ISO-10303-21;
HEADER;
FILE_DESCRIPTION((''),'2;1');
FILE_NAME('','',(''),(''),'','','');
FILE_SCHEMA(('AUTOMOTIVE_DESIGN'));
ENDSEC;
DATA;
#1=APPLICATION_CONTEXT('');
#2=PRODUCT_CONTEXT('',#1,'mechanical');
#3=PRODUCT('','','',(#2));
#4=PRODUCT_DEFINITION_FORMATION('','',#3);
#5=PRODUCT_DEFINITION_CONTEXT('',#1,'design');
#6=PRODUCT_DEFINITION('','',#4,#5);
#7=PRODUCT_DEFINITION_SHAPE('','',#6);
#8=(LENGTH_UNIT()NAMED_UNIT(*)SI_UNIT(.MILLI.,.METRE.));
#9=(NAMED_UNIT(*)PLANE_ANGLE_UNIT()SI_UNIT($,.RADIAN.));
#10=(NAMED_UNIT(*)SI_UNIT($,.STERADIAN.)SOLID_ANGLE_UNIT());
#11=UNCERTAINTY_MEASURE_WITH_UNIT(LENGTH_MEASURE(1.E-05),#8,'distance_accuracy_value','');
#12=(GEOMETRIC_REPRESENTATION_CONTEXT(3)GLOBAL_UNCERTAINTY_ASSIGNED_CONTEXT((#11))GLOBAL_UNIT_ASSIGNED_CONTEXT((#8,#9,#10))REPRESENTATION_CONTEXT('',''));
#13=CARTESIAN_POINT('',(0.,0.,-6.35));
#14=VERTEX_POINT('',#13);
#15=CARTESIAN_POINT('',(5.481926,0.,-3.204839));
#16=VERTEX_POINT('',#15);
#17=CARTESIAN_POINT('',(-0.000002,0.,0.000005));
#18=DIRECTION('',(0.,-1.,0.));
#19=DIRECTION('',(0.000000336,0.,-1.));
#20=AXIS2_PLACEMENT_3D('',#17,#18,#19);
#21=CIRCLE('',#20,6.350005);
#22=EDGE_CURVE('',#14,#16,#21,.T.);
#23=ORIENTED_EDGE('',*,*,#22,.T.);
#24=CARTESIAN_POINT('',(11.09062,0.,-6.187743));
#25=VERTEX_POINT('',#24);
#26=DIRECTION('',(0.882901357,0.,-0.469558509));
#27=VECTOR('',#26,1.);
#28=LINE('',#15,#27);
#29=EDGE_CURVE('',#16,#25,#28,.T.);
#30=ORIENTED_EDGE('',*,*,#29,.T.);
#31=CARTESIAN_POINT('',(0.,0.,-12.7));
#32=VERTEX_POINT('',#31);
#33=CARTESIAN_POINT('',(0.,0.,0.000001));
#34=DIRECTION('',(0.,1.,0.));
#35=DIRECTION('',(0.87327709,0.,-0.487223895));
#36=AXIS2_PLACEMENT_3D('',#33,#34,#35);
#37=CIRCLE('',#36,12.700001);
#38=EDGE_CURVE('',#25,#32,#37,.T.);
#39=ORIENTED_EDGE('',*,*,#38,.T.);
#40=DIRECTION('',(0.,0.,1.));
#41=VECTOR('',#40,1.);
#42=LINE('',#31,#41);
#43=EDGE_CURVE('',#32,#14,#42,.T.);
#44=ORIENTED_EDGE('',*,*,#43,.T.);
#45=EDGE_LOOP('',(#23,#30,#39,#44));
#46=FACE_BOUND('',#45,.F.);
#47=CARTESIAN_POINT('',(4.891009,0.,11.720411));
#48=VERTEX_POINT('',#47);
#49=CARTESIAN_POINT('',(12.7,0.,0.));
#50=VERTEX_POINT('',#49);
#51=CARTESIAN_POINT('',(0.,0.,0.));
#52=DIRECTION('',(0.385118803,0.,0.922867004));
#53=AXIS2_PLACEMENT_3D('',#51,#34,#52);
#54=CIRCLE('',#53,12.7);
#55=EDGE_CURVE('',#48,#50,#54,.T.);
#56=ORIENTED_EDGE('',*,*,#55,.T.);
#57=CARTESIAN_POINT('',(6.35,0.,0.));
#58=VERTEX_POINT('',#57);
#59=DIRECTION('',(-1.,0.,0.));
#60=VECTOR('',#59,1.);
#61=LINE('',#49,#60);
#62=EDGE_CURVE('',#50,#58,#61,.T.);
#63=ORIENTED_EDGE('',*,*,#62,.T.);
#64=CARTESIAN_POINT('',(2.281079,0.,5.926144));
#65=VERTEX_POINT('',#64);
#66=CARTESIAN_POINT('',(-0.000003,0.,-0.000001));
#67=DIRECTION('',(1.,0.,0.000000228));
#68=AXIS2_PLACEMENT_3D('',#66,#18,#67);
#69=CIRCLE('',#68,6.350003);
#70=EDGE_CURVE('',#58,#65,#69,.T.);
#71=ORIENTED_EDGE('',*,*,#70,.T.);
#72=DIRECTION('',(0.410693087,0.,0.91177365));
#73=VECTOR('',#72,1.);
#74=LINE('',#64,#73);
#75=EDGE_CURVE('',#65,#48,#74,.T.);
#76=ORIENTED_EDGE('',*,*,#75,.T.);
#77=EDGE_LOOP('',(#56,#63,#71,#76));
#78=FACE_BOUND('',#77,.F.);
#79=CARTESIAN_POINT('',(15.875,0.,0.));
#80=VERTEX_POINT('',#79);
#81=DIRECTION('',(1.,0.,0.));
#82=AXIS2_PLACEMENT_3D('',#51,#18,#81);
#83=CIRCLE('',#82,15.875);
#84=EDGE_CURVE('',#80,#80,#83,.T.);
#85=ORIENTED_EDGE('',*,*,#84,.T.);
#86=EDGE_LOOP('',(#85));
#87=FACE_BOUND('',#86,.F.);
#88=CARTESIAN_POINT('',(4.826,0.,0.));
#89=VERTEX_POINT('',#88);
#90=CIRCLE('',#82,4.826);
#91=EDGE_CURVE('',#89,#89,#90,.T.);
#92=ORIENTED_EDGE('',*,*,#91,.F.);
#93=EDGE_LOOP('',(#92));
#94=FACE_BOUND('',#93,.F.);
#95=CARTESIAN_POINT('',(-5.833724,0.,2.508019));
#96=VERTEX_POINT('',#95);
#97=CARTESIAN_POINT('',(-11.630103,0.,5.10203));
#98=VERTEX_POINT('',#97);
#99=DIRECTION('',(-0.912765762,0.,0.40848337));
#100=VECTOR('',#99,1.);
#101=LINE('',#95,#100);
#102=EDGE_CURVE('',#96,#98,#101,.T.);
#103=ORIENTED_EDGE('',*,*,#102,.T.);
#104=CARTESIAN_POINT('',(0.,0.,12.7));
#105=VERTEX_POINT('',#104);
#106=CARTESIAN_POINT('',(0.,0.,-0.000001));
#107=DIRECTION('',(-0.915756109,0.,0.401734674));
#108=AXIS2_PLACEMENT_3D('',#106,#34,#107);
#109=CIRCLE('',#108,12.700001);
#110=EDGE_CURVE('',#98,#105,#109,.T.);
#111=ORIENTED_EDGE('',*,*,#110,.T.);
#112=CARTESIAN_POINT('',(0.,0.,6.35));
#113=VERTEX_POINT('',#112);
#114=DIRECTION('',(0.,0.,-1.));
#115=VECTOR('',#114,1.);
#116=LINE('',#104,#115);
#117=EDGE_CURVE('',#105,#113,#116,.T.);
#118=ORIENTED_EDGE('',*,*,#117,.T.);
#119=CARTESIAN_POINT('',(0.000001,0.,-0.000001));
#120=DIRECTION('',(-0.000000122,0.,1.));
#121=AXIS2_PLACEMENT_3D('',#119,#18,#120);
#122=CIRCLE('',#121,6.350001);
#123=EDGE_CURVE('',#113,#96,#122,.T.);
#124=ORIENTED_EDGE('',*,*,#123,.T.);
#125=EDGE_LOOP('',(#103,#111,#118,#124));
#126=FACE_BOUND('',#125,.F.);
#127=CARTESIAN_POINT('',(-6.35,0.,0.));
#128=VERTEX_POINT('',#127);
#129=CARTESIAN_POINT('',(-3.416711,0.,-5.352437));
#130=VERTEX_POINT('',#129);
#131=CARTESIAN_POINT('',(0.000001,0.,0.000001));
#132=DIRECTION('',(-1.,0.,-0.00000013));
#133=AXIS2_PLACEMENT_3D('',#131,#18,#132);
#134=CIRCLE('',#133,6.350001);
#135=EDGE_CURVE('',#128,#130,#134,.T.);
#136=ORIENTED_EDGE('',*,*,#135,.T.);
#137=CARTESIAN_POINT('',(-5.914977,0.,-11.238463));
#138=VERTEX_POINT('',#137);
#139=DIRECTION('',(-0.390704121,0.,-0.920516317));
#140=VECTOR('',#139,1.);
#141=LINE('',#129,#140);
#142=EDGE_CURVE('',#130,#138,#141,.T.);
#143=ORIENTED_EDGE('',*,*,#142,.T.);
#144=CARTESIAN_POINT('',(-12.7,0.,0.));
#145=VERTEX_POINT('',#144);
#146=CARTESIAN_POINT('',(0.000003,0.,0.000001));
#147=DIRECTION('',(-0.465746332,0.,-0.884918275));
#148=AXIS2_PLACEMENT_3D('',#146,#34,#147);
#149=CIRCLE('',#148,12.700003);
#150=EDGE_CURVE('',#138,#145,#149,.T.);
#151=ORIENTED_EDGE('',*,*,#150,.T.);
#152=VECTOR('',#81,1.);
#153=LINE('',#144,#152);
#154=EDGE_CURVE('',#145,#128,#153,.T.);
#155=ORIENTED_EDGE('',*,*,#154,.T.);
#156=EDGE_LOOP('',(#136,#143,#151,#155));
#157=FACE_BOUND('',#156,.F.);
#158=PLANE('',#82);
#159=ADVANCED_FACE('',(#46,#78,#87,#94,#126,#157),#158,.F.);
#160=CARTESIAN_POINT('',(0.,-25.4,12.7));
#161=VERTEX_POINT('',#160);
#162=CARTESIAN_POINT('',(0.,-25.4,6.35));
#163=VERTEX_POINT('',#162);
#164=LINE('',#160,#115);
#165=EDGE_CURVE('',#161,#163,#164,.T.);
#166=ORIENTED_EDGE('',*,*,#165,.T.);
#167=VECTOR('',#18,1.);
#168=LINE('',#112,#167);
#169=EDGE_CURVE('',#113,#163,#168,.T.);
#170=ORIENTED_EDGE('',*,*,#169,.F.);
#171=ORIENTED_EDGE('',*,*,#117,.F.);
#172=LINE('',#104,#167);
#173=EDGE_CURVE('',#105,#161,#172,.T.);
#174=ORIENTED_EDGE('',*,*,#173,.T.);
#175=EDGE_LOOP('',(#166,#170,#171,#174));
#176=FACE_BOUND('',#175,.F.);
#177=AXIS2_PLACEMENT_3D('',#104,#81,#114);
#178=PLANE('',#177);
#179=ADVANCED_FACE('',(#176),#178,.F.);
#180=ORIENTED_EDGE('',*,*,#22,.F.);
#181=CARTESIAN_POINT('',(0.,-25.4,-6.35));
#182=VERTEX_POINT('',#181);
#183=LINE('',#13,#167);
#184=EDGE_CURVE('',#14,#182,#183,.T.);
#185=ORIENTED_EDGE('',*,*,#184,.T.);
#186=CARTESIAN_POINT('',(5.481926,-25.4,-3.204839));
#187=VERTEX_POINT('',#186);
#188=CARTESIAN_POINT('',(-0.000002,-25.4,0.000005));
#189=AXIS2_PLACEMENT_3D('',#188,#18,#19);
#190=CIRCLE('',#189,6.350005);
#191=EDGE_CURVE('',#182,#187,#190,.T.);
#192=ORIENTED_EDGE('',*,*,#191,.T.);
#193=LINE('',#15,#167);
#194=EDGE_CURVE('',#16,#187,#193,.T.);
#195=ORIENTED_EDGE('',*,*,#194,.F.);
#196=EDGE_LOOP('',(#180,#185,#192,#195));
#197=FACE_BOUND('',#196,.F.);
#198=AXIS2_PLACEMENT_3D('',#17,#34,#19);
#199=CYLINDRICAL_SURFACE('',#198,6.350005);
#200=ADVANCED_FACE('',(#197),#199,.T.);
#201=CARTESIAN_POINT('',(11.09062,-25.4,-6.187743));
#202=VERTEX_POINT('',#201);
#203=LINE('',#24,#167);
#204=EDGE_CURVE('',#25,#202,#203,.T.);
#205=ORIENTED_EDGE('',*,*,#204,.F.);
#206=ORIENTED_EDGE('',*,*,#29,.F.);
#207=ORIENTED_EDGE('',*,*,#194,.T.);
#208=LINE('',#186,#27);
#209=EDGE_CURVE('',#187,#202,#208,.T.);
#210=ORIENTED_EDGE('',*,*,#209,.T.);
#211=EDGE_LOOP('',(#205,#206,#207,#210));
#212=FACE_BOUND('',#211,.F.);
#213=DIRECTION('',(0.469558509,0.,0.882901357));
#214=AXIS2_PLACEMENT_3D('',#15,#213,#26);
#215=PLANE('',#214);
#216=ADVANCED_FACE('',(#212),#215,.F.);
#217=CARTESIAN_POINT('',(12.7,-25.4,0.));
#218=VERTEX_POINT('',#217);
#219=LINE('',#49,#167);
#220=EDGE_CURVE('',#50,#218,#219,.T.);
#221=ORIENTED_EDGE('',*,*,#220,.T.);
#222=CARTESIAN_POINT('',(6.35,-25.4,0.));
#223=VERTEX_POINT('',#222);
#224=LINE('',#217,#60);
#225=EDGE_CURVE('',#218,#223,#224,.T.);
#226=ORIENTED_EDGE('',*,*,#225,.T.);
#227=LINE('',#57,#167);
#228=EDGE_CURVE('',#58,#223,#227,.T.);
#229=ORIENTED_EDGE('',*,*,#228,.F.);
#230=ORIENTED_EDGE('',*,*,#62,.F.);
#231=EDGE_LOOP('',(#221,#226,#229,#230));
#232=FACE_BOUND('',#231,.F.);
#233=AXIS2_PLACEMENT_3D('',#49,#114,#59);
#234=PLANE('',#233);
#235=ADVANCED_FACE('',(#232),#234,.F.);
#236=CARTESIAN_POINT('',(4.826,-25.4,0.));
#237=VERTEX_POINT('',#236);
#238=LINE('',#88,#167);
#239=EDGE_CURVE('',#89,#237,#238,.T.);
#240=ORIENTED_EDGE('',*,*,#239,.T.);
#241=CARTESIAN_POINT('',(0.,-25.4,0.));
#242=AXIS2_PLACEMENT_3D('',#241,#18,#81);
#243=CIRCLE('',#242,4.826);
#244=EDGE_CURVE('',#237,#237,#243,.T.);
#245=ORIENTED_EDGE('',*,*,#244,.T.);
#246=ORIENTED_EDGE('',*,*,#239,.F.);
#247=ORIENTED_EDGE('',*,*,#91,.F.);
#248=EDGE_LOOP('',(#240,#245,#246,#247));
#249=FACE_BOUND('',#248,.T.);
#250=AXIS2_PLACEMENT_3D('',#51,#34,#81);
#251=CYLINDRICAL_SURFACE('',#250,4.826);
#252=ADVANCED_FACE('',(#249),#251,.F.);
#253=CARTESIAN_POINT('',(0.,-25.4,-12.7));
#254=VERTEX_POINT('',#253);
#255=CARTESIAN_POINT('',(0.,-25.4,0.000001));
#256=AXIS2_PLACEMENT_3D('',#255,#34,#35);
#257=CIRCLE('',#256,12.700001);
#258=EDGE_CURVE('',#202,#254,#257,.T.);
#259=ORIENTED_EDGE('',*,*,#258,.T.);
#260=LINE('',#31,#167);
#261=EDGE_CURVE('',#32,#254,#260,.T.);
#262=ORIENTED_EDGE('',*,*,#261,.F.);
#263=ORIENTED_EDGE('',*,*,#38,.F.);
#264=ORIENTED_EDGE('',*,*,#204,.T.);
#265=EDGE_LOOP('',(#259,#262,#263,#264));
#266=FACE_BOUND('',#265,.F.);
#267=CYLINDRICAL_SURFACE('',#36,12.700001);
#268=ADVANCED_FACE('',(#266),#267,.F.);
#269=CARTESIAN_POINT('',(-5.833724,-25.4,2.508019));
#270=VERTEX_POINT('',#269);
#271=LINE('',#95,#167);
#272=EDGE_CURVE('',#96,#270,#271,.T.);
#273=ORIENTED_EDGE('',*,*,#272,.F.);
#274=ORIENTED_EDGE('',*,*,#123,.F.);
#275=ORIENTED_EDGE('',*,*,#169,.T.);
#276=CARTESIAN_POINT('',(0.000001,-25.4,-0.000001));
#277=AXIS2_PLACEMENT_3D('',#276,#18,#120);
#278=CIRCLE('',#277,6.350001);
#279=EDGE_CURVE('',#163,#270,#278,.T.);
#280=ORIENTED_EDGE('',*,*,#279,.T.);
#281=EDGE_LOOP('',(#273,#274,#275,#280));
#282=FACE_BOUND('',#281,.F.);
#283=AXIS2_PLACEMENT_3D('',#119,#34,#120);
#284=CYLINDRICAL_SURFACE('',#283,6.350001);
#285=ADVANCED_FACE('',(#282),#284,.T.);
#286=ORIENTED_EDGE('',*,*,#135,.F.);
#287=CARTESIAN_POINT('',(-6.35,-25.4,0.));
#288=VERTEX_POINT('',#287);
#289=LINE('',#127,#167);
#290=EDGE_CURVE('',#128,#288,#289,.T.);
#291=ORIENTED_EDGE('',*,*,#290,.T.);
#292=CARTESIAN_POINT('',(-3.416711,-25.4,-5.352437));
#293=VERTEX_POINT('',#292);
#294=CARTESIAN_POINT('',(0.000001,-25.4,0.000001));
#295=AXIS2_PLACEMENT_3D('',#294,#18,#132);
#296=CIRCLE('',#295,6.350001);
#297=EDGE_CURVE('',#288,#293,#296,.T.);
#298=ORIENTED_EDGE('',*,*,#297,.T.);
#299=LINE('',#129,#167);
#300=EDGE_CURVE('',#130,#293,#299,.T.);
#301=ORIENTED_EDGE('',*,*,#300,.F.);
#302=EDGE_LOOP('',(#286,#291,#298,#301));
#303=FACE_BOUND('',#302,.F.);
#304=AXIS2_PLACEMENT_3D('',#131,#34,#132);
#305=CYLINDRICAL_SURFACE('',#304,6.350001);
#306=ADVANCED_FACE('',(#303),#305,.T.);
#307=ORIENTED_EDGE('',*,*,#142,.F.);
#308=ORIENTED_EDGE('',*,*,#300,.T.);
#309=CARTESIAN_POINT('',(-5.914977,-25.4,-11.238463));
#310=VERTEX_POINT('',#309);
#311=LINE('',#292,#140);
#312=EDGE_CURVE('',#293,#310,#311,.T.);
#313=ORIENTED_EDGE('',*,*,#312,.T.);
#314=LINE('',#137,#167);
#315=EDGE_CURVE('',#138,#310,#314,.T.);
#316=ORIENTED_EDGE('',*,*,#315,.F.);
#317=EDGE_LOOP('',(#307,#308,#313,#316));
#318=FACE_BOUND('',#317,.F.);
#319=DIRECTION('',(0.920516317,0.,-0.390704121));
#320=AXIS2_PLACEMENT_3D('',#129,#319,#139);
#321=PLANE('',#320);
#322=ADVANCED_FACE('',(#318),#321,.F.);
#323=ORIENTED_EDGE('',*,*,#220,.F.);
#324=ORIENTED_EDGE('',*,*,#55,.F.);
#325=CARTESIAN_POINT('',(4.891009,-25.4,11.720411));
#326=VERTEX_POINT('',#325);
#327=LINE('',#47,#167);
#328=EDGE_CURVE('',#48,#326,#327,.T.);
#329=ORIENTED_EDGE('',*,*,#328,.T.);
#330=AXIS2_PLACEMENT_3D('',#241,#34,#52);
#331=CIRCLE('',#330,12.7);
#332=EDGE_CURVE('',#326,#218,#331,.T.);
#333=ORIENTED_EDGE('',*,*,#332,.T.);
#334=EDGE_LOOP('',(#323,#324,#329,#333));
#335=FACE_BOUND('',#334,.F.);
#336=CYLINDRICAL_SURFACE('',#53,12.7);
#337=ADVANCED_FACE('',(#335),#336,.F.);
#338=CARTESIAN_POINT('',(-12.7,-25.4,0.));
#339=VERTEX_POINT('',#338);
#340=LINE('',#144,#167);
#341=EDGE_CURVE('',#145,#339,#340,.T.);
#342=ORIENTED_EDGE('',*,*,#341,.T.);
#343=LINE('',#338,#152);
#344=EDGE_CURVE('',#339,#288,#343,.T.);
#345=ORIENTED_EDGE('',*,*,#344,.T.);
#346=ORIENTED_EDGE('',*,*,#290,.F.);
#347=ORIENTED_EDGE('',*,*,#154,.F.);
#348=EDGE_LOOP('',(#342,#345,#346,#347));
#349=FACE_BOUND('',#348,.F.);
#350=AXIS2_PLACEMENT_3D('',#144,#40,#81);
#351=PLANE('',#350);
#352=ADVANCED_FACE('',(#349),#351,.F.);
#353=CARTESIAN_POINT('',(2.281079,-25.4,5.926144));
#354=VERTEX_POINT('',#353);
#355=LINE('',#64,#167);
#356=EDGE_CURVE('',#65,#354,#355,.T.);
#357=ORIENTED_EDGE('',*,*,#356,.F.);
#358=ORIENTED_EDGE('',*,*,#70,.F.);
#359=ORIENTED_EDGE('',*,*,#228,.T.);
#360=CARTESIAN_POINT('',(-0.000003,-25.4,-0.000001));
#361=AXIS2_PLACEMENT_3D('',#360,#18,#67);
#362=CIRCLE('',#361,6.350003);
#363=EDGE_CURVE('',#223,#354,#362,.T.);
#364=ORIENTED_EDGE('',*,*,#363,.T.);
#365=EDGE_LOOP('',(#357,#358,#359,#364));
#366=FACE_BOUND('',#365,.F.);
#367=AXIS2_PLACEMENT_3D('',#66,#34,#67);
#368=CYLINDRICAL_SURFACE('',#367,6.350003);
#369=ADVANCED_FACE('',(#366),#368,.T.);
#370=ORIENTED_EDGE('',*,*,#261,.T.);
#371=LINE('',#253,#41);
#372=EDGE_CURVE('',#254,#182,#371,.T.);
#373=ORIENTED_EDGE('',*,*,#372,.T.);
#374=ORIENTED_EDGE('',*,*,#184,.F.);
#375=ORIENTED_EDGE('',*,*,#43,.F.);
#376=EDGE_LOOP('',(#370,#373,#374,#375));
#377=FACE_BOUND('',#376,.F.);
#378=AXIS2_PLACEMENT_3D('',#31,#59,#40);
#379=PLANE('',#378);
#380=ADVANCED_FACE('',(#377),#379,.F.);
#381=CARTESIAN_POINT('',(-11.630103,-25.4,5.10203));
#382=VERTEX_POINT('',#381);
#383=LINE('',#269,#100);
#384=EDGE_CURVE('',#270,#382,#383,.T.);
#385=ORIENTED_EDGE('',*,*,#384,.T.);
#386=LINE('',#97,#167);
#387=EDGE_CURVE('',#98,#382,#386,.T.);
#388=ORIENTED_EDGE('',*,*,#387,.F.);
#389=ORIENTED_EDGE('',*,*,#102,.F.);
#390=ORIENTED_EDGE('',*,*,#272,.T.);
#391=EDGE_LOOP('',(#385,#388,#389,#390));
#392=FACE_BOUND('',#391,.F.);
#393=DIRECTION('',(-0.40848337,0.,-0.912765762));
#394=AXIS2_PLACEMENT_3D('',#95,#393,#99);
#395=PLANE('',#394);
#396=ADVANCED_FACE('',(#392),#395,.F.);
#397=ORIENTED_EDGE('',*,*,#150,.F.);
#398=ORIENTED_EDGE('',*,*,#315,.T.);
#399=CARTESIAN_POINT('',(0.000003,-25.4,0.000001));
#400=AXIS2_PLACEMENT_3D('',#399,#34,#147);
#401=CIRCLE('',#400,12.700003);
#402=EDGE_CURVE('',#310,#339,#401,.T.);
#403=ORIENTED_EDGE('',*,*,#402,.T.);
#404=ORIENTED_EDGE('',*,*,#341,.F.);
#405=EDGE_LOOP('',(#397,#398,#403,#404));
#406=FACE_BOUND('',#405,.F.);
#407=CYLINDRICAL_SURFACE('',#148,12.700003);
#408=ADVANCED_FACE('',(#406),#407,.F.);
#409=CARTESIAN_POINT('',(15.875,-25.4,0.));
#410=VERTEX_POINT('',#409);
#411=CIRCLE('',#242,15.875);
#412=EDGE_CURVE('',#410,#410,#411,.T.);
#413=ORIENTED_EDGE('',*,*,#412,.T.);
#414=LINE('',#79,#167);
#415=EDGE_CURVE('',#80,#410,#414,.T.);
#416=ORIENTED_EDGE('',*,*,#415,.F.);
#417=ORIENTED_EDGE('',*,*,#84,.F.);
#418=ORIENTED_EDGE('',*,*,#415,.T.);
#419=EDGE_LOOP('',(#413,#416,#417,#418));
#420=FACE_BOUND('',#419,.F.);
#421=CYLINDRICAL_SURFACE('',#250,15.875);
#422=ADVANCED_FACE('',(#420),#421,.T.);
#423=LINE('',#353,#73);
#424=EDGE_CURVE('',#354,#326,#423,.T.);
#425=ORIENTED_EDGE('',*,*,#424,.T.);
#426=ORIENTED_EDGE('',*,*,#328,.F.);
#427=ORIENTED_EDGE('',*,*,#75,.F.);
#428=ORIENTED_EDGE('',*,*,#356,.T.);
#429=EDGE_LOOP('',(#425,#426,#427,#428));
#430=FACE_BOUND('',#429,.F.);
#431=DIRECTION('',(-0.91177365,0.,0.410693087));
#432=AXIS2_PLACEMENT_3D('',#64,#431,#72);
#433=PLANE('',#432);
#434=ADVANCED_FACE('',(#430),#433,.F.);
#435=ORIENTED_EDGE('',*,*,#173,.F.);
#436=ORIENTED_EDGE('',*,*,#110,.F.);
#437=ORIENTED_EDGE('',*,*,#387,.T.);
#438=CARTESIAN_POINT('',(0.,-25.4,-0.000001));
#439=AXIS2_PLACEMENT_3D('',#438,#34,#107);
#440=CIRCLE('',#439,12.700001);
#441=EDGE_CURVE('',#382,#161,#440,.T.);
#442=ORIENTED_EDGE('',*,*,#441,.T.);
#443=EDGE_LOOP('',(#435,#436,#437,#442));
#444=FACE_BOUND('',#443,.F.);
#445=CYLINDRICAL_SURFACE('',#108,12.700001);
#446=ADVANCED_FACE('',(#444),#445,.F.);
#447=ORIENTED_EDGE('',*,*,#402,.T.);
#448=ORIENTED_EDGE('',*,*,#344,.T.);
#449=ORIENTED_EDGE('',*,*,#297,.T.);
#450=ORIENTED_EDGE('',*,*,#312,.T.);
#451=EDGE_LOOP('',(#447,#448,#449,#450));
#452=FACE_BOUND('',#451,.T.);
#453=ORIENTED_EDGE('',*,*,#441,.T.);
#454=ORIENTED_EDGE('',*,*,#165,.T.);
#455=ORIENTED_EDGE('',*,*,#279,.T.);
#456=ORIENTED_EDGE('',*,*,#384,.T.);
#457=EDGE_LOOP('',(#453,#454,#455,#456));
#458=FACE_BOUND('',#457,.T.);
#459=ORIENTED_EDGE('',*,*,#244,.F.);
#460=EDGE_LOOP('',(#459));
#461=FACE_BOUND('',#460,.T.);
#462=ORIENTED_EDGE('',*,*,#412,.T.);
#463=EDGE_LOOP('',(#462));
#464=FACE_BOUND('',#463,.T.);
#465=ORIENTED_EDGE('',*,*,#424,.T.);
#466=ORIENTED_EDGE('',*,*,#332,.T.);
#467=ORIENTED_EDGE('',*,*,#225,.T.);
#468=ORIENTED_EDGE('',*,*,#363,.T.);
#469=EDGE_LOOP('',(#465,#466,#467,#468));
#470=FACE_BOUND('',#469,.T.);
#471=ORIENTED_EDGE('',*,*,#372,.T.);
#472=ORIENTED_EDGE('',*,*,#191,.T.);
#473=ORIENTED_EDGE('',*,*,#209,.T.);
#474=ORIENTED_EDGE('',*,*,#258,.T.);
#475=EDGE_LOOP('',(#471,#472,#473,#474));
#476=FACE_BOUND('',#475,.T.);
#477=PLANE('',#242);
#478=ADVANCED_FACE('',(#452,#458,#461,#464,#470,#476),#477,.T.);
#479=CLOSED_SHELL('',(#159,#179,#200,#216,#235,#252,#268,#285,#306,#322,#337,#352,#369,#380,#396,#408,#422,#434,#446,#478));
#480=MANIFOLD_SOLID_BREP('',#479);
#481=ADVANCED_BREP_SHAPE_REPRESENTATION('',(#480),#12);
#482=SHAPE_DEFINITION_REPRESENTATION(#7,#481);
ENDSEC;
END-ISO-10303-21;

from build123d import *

# Parameters (mm, degrees)
F0_R     = 15.875
F0_R_2   = 4.826
F1_DEPTH = 25.4


with BuildPart() as f1:
    # F0 (on Front) → F1 (new body)
    with BuildSketch(Plane.XZ):
        Circle(F0_R)
        with BuildLine():
            ThreePointArc((4.891009, 11.720411), (10.56896, 7.04181), (12.7, 0))
            ThreePointArc((12.7, 0), (12.291071, -3.196806), (11.09062, -6.187743))
            ThreePointArc((11.09062, -6.187743), (6.430617, -10.951583), (0, -12.7))
            ThreePointArc((0, -12.7), (-3.046434, -12.329203), (-5.914977, -11.238463))
            ThreePointArc((-5.914977, -11.238463), (-10.872217, -6.563908), (-12.7, 0))
            ThreePointArc((-12.7, 0), (-12.429648, 2.606501), (-11.630103, 5.10203))
            ThreePointArc((-11.630103, 5.10203), (-6.946014, 10.632163), (0, 12.7))
            ThreePointArc((0, 12.7), (2.494071, 12.452695), (4.891009, 11.720411))
        make_face(mode=Mode.SUBTRACT)
        with BuildLine():
            Line((2.281079, 5.926144), (4.891009, 11.720411))
            ThreePointArc((4.891009, 11.720411), (2.494071, 12.452695), (0, 12.7))
            Line((0, 12.7), (0, 6.35))
            ThreePointArc((0, 6.35), (1.160062, 6.243137), (2.281079, 5.926144))
        make_face()
        with BuildLine():
            Line((-5.833724, 2.508019), (-11.630103, 5.10203))
            ThreePointArc((-11.630103, 5.10203), (-12.429648, 2.606501), (-12.7, 0))
            Line((-12.7, 0), (-6.35, 0))
            ThreePointArc((-6.35, 0), (-6.219592, 1.280303), (-5.833724, 2.508019))
        make_face()
        with BuildLine():
            ThreePointArc((-5.914977, -11.238463), (-3.046434, -12.329203), (0, -12.7))
            Line((0, -12.7), (0, -6.35))
            ThreePointArc((0, -6.35), (-1.77968, -6.09551), (-3.416711, -5.352437))
            Line((-3.416711, -5.352437), (-5.914977, -11.238463))
        make_face()
        with BuildLine():
            ThreePointArc((11.09062, -6.187743), (12.291071, -3.196806), (12.7, 0))
            Line((12.7, 0), (6.35, 0))
            ThreePointArc((6.35, 0), (6.129141, -1.660162), (5.481926, -3.204839))
            Line((5.481926, -3.204839), (11.09062, -6.187743))
        make_face()
        with BuildLine():
            ThreePointArc((5.481926, -3.204839), (6.129141, -1.660162), (6.35, 0))
            ThreePointArc((6.35, 0), (5.234852, 3.594276), (2.281079, 5.926144))
            ThreePointArc((2.281079, 5.926144), (1.160062, 6.243137), (0, 6.35))
            ThreePointArc((0, 6.35), (-3.492605, 5.303226), (-5.833724, 2.508019))
            ThreePointArc((-5.833724, 2.508019), (-6.219592, 1.280303), (-6.35, 0))
            ThreePointArc((-6.35, 0), (-5.5686, -3.051752), (-3.416711, -5.352437))
            ThreePointArc((-3.416711, -5.352437), (-1.77968, -6.09551), (0, -6.35))
            ThreePointArc((0, -6.35), (3.160045, -5.507868), (5.481926, -3.204839))
        make_face()
        Circle(F0_R_2, mode=Mode.SUBTRACT)
    extrude(amount=F1_DEPTH)


solid = f1.part
